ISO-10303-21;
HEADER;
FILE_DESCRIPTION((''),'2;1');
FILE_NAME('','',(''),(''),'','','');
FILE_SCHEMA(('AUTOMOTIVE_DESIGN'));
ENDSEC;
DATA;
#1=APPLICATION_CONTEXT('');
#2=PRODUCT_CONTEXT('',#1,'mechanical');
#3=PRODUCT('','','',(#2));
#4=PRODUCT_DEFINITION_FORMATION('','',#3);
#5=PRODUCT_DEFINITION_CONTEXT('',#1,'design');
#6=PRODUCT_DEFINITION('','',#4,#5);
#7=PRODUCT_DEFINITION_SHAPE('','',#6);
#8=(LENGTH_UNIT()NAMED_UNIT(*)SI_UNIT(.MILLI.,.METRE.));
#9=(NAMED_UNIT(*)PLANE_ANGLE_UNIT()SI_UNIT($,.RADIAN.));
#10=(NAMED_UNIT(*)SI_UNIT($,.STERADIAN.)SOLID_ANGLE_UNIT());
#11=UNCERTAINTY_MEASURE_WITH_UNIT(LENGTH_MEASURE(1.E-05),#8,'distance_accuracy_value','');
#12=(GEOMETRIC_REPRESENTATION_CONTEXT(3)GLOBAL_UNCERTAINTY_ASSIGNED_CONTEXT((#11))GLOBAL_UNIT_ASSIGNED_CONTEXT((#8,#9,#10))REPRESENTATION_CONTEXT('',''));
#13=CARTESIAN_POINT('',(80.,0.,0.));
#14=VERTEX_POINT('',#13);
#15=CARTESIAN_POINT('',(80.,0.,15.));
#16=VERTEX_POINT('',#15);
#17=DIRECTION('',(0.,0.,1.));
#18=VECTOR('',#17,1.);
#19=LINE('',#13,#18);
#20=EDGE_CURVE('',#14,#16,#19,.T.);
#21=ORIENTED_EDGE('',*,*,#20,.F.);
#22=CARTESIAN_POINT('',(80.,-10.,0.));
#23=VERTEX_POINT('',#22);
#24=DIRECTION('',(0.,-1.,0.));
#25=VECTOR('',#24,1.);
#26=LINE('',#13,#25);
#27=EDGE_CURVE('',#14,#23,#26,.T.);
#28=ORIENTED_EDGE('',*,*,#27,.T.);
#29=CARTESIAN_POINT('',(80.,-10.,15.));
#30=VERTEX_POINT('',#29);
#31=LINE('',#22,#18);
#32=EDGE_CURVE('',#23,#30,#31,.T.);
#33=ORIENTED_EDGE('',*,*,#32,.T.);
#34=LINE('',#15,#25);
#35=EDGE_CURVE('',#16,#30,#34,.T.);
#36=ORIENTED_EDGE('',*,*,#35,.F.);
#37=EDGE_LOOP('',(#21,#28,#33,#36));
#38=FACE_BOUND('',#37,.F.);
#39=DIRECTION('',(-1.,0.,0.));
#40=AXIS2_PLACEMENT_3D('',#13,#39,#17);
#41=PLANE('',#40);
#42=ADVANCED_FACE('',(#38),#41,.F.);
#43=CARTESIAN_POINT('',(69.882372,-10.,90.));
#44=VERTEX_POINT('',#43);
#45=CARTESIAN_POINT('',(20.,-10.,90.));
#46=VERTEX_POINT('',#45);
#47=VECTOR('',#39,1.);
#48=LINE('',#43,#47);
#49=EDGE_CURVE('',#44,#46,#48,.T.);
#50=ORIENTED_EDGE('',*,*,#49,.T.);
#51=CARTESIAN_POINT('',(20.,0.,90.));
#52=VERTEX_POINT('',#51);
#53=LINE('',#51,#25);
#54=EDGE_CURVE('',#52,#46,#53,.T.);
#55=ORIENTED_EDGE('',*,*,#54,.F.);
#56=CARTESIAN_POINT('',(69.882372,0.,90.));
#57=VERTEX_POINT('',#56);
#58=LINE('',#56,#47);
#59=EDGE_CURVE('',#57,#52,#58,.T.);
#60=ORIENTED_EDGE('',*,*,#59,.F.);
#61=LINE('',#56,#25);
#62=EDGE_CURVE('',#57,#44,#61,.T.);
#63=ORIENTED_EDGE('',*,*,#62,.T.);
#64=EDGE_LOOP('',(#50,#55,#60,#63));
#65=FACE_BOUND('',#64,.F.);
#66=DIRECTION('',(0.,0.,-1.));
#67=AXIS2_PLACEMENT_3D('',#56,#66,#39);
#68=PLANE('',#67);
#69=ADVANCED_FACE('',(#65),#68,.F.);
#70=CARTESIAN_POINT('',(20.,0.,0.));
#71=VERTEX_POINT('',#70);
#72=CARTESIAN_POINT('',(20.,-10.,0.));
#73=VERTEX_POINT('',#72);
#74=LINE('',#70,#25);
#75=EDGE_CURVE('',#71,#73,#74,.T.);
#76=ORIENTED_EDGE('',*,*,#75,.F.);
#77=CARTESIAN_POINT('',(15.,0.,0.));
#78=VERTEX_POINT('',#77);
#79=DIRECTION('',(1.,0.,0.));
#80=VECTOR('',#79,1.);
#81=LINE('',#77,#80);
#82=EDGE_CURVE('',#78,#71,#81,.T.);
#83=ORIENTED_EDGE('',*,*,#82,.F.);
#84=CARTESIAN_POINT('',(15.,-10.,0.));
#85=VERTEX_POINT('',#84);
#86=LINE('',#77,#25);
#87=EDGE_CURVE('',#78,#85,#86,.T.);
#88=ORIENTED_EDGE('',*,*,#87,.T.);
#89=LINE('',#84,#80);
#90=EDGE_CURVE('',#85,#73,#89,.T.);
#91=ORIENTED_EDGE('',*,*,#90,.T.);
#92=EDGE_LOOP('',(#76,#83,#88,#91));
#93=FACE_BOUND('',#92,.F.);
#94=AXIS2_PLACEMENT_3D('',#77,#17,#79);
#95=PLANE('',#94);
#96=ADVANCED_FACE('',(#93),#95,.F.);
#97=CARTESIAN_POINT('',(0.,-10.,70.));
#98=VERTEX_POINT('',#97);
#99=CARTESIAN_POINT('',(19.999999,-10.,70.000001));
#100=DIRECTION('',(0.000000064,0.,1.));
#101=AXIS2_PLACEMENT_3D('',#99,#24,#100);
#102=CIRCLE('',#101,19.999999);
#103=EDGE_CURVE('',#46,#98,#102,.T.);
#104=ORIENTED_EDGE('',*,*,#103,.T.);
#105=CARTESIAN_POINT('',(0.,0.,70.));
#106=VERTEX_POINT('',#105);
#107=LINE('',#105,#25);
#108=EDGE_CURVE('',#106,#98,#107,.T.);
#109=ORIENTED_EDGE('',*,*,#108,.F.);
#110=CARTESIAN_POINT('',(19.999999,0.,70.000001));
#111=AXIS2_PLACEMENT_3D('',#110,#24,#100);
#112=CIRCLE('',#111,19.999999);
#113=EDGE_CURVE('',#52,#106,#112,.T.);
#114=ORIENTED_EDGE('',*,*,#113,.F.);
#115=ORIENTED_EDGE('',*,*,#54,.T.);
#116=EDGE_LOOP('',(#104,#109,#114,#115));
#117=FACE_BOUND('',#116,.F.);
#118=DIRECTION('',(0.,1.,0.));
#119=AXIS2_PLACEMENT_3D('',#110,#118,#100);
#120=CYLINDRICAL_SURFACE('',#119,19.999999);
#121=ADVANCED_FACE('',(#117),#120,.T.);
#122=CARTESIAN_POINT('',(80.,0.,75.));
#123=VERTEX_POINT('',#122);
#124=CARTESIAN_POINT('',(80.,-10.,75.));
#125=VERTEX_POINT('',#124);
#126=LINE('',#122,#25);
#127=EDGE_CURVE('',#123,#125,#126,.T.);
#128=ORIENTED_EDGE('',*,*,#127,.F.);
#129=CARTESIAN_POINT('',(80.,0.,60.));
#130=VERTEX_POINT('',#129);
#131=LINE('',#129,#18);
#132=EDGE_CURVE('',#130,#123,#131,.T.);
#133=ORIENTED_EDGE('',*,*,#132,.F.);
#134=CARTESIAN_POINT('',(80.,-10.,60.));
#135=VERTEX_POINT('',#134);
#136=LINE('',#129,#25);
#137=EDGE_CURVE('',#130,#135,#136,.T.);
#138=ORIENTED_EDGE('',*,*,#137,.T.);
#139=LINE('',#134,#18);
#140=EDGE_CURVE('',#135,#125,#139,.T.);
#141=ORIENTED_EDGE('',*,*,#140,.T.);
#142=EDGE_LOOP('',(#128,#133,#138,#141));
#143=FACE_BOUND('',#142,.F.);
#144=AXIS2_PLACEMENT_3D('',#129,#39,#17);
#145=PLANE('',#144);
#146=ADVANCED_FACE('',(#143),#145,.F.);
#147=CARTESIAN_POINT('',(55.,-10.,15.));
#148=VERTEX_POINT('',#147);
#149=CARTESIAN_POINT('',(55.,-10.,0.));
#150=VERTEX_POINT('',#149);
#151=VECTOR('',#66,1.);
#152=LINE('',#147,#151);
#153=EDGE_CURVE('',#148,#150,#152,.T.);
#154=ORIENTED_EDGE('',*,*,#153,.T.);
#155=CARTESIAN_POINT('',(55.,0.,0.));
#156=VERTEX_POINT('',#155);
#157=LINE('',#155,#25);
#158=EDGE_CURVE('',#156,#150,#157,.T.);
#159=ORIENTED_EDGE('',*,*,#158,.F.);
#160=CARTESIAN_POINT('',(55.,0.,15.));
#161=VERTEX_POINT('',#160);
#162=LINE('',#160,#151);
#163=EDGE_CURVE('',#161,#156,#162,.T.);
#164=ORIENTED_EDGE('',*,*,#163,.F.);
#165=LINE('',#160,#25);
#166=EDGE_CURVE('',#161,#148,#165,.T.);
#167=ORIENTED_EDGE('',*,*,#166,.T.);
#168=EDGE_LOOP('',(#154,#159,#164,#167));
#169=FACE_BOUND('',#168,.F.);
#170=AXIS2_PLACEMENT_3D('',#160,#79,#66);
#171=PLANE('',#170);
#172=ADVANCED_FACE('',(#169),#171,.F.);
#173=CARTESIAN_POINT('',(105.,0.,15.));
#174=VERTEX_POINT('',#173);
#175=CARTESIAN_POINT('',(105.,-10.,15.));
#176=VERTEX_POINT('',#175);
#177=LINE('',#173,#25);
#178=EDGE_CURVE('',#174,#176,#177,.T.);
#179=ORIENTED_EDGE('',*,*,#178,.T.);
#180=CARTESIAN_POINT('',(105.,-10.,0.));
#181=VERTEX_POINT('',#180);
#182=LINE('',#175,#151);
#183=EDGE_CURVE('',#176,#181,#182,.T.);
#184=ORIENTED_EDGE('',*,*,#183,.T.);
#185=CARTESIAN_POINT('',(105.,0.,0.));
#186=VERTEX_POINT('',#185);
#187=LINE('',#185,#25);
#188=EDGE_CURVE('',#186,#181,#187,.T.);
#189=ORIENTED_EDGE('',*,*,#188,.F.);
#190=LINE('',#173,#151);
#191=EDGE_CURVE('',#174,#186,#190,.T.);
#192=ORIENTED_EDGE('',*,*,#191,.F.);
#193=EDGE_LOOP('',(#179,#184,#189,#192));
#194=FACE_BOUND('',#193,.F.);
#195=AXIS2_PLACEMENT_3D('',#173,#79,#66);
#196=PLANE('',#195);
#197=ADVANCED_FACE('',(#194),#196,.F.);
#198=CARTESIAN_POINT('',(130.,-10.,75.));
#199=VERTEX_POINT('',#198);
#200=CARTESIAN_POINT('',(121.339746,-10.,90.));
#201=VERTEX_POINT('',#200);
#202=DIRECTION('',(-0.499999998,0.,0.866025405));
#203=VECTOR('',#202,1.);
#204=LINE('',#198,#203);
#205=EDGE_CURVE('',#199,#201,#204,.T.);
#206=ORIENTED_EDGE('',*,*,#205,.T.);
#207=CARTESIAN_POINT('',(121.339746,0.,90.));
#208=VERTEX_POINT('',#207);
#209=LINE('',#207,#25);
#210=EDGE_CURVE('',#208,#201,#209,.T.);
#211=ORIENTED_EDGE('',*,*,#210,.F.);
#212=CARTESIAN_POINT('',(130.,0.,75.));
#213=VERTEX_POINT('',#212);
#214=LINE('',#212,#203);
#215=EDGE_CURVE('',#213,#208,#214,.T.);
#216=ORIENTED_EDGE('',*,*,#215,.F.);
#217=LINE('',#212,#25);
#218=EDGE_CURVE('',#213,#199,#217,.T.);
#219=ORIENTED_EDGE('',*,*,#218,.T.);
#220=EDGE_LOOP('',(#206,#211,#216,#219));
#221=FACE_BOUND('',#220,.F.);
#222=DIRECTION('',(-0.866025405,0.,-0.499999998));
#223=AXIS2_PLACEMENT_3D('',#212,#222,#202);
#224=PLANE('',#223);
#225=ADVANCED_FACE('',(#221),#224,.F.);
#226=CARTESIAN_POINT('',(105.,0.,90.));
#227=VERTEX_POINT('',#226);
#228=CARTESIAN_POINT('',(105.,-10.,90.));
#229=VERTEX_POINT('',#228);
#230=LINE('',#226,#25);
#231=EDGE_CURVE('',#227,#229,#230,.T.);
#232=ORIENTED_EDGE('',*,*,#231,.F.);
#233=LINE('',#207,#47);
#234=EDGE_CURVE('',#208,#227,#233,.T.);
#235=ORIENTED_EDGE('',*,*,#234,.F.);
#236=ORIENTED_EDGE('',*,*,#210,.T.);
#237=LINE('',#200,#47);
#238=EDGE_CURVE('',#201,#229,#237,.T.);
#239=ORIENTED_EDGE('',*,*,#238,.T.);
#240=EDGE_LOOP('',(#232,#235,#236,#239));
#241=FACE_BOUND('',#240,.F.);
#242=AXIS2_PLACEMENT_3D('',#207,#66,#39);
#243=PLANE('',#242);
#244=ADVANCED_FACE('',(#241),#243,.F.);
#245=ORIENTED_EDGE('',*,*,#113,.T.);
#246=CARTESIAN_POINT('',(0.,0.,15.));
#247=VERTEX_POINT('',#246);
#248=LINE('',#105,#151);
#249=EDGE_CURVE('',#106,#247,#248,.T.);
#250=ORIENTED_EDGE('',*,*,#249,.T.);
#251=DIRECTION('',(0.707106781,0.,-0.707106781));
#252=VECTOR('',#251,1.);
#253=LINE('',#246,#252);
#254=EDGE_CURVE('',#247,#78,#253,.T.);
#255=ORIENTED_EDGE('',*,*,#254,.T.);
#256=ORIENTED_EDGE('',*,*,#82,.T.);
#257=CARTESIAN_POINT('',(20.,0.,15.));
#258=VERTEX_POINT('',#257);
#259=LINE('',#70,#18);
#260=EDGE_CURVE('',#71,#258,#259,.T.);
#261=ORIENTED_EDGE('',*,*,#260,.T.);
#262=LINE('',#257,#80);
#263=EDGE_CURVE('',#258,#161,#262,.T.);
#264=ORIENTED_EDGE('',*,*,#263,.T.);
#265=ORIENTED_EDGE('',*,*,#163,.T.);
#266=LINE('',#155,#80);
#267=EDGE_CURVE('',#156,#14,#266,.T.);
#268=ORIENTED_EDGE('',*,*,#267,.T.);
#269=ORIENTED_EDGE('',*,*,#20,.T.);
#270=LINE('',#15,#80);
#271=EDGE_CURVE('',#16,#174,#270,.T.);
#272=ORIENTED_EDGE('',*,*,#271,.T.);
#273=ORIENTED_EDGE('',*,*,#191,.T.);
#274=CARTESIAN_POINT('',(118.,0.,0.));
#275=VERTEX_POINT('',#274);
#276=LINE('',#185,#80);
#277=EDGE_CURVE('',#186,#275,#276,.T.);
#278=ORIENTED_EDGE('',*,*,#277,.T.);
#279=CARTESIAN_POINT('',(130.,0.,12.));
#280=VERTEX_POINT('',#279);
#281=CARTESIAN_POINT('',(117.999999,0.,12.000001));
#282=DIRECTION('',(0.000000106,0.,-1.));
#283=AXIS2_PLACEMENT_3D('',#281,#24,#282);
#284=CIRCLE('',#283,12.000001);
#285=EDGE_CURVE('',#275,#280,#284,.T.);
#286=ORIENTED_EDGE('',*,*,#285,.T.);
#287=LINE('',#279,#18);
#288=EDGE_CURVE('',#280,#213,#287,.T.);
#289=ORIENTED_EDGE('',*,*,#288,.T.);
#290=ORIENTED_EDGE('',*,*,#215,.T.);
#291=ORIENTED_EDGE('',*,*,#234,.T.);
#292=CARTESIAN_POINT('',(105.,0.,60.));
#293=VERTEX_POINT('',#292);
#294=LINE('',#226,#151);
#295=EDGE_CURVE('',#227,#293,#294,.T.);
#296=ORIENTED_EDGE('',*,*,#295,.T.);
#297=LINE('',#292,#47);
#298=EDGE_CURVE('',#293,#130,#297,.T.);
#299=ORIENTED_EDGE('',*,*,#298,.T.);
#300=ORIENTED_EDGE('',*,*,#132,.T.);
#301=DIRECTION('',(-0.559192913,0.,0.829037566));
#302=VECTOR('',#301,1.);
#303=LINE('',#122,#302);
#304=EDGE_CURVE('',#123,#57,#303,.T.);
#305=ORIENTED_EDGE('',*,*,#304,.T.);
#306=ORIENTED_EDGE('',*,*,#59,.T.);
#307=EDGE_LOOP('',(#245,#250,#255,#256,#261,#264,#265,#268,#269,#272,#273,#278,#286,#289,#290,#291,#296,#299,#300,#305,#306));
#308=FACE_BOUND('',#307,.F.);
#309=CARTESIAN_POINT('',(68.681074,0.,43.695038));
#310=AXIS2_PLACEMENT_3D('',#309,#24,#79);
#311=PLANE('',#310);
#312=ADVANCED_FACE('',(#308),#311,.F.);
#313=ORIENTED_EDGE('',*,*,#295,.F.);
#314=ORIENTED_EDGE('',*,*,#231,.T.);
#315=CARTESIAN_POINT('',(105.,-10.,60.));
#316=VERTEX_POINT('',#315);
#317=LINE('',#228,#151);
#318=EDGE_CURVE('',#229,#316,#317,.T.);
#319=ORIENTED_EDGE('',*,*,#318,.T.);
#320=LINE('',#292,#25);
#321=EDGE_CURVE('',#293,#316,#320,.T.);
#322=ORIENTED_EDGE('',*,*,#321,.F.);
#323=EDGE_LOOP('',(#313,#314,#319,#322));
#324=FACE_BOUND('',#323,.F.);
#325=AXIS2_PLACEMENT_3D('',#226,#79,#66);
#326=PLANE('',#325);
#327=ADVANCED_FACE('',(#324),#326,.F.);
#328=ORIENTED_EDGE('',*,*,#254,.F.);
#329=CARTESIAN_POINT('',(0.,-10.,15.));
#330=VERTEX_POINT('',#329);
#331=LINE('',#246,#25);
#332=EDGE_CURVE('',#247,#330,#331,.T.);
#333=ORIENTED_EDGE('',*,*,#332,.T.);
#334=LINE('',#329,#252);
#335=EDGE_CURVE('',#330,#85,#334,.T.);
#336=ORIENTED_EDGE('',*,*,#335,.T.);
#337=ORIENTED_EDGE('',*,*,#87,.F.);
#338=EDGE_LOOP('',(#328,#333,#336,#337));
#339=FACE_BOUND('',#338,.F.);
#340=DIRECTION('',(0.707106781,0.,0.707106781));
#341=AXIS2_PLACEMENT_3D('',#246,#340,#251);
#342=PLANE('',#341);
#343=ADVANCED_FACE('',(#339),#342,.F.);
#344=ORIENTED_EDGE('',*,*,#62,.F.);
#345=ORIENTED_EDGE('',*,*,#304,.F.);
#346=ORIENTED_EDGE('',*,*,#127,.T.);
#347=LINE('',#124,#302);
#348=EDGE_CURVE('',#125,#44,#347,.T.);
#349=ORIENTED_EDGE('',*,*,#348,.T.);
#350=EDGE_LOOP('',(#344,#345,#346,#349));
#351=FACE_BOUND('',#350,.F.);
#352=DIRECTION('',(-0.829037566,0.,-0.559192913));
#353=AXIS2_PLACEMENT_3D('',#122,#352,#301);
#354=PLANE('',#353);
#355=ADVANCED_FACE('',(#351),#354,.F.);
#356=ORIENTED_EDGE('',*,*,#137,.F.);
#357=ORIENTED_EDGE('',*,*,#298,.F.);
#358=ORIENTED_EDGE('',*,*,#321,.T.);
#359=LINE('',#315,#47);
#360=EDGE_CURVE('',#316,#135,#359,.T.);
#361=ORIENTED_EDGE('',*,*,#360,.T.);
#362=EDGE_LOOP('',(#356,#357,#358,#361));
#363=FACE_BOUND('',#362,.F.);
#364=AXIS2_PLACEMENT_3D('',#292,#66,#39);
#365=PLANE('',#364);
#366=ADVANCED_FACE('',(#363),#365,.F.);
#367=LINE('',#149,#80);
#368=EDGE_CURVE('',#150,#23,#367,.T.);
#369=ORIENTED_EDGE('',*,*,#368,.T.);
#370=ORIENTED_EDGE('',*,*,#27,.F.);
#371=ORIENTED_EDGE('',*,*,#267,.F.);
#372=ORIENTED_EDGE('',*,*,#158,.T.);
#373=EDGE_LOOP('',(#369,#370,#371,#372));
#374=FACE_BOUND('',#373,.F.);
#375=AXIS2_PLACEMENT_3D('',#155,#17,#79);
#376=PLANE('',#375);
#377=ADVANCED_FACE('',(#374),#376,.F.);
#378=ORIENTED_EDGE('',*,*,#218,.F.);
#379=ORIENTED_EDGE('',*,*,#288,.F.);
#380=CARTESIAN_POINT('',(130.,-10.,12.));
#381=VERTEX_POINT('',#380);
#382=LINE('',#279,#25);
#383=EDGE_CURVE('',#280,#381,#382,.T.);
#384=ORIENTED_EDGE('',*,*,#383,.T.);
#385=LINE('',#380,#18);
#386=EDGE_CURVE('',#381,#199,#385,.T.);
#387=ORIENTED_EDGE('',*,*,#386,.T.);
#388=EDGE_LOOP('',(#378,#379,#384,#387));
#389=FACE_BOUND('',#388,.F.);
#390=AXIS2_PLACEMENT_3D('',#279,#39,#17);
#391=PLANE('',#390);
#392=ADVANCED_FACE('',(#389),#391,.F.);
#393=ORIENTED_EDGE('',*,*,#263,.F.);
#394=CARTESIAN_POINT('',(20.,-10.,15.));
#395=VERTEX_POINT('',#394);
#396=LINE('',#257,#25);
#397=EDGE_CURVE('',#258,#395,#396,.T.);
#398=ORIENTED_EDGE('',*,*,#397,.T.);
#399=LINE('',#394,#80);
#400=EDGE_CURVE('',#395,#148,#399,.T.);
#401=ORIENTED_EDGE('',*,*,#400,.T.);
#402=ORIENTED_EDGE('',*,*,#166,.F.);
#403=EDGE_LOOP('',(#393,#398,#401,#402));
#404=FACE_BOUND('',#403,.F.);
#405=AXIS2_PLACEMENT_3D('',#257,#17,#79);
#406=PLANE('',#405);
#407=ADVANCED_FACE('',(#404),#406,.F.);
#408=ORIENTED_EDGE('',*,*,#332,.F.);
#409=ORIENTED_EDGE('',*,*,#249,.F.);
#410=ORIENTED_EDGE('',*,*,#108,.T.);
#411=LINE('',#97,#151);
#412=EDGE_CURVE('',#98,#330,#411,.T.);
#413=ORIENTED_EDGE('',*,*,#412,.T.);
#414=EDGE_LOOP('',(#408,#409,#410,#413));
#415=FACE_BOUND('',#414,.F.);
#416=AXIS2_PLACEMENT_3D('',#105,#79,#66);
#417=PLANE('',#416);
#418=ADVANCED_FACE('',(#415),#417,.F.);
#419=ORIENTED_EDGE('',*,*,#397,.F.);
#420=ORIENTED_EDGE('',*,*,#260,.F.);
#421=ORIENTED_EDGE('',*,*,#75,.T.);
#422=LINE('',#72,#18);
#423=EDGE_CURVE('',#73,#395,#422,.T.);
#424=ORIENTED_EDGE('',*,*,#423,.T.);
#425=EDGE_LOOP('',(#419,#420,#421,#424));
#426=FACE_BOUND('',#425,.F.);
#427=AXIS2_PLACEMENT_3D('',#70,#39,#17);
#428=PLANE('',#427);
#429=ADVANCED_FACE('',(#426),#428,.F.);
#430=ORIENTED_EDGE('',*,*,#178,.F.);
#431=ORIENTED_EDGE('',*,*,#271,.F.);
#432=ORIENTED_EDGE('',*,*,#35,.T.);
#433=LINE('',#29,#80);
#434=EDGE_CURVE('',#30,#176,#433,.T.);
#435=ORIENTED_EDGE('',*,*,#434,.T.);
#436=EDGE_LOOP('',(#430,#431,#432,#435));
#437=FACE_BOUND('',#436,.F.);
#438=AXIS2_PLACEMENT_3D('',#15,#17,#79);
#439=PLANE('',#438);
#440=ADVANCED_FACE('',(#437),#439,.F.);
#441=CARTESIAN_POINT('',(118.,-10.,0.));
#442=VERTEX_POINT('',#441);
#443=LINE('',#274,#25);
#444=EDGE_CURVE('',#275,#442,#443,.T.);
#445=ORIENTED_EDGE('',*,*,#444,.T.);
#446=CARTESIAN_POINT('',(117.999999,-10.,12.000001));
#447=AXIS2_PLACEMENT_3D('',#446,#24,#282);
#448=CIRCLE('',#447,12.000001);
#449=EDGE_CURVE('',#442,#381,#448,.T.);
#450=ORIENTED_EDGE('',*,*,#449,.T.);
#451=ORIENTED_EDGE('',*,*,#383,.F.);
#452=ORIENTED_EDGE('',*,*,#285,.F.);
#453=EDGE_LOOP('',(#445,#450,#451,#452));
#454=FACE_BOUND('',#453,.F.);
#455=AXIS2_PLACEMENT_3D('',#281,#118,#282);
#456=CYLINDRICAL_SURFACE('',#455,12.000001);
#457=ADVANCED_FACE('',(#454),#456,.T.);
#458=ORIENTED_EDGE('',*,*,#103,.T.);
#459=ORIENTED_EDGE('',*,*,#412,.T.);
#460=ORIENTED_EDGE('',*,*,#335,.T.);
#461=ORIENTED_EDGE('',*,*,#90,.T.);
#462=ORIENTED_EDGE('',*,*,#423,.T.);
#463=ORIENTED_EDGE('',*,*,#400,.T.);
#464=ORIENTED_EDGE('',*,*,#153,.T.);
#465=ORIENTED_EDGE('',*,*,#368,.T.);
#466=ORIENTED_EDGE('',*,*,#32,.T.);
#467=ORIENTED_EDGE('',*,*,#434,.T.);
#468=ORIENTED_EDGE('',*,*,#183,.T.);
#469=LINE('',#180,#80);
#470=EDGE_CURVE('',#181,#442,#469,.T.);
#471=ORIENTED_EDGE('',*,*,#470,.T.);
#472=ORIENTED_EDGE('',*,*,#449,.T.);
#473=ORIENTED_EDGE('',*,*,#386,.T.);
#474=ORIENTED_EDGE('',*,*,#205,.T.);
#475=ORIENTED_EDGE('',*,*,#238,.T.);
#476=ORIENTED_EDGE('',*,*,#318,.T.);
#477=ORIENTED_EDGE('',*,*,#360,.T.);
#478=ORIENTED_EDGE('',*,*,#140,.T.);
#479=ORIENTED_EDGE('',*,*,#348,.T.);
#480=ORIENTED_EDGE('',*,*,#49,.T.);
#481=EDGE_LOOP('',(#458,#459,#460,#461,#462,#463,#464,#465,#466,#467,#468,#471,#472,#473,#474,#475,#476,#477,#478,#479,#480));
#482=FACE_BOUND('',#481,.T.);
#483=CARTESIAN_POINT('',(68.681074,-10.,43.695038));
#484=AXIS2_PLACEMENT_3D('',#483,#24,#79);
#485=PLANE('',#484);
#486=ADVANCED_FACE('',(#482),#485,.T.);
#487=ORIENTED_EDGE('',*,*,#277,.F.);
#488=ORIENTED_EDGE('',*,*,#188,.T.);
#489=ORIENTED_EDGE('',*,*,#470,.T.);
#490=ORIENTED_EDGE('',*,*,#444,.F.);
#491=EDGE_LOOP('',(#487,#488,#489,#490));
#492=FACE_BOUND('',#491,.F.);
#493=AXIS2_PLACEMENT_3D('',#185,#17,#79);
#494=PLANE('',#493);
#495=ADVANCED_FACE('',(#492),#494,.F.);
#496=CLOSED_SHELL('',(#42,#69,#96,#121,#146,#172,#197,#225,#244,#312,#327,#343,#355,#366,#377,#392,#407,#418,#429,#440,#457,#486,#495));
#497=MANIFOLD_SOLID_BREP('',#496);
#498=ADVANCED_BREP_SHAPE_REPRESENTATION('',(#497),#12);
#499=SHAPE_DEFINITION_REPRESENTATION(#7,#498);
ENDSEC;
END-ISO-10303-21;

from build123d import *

# Parameters (mm, degrees)
F1_DEPTH = 10


with BuildPart() as f1:
    # F0 (on Front) → F1 (new body)
    with BuildSketch(Plane.XZ):
        with BuildLine():
            Line((69.882372, 90), (20, 90))
            ThreePointArc((20, 90), (5.857864, 84.142136), (0, 70))
            Line((0, 70), (0, 15))
            Line((0, 15), (15, 0))
            Line((15, 0), (20, 0))
            Line((20, 0), (20, 15))
            Line((20, 15), (55, 15))
            Line((55, 15), (55, 0))
            Line((55, 0), (80, 0))
            Line((80, 0), (80, 15))
            Line((80, 15), (105, 15))
            Line((105, 15), (105, 0))
            Line((105, 0), (118, 0))
            ThreePointArc((118, 0), (126.485281, 3.514719), (130, 12))
            Line((130, 12), (130, 75))
            Line((130, 75), (121.339746, 90))
            Line((121.339746, 90), (105, 90))
            Line((105, 90), (105, 60))
            Line((105, 60), (80, 60))
            Line((80, 60), (80, 75))
            Line((80, 75), (69.882372, 90))
        make_face()
    extrude(amount=F1_DEPTH)


solid = f1.part
